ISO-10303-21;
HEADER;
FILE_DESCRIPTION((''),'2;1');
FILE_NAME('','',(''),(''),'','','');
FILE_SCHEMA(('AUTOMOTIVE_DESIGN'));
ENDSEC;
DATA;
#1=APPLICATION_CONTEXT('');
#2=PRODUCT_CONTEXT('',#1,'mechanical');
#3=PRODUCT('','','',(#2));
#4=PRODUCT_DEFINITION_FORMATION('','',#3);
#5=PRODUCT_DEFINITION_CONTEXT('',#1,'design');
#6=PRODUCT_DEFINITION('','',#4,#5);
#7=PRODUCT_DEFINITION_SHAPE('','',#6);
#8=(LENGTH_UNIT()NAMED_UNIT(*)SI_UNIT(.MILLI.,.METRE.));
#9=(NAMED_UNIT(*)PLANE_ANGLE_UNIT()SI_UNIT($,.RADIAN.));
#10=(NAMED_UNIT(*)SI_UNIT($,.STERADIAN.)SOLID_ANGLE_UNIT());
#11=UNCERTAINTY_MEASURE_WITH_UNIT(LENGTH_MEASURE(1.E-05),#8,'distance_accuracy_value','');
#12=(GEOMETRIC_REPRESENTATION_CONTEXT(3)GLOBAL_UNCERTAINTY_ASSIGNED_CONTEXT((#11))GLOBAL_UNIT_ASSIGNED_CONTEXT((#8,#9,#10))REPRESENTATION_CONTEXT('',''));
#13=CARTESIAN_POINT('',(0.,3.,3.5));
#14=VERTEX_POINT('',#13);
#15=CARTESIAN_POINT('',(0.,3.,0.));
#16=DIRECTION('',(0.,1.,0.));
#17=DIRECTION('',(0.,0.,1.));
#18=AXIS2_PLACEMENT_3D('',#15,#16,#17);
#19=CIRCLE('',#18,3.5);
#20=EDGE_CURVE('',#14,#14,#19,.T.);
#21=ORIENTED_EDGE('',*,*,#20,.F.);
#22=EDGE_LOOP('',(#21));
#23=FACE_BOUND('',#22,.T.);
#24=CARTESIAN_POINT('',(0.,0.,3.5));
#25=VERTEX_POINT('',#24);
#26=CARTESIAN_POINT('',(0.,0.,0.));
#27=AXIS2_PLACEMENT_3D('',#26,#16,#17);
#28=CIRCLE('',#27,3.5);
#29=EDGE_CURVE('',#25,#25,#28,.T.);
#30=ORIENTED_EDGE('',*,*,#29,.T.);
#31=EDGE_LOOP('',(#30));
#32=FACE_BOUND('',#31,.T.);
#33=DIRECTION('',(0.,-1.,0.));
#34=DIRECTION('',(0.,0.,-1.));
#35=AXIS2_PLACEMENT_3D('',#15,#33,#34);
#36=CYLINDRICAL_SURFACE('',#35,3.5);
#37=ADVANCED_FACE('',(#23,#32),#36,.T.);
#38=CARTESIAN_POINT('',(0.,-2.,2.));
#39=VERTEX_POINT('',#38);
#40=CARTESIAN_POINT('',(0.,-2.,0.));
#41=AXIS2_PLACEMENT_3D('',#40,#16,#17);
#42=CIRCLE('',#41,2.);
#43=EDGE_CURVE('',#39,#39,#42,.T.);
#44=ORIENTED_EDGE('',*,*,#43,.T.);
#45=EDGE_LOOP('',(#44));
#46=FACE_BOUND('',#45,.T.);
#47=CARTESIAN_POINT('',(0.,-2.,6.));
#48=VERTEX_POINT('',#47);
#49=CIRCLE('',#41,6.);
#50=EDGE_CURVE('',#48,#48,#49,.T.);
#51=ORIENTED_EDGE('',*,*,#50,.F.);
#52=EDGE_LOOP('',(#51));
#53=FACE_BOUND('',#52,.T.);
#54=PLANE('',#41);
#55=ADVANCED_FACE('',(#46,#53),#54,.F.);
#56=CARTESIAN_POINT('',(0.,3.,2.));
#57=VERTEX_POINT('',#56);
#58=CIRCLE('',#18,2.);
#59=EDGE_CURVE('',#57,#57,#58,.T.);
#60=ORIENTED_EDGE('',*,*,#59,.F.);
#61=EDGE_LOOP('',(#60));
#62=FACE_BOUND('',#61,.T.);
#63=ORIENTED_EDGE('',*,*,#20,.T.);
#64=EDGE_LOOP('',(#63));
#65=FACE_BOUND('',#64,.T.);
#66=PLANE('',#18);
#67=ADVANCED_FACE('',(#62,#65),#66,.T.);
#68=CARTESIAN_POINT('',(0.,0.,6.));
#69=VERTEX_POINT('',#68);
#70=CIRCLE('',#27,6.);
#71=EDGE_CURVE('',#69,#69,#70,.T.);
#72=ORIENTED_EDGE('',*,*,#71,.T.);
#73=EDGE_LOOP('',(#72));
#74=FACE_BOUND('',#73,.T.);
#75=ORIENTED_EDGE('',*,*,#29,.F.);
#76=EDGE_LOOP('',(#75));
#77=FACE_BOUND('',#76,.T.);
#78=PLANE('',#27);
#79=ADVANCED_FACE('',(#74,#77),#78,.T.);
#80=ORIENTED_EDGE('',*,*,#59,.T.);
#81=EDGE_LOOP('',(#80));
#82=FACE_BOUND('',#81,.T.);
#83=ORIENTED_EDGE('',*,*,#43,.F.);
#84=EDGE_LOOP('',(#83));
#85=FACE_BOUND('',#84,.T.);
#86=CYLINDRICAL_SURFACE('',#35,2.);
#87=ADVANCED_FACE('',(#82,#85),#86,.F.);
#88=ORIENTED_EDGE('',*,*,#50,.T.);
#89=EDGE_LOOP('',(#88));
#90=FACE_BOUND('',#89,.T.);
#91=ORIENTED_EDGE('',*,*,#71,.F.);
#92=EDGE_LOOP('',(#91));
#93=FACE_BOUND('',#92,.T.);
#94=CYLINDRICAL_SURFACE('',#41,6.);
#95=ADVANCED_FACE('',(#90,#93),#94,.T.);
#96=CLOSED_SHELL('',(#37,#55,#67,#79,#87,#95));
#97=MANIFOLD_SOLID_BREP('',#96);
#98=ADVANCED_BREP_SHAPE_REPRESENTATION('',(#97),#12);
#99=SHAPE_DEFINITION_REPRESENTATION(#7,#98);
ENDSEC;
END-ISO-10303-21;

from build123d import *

# Parameters (mm, degrees)
SKETCH_1_R      = 3.5
SKETCH_1_R_2    = 2
EXTRUDE_1_DEPTH = 3
EXTRUDE_START   = -2
SKETCH_1_3_R    = 6
SKETCH_1_3_R_2  = 2
EXTRUDE_2_DEPTH = 2


with BuildPart() as part:
    # 草图1 → 凸台-拉伸1 (new body)
    with BuildSketch(Plane(origin=(0, 0, 0), x_dir=(1, 0, 0), z_dir=(0, 1, 0))):
        Circle(SKETCH_1_R)
        Circle(SKETCH_1_R_2, mode=Mode.SUBTRACT)
    extrude(amount=EXTRUDE_1_DEPTH)

    # 草图1<3> → 凸台-拉伸2 (add)
    with BuildSketch(Plane(origin=(0, 0, 0), x_dir=(1, 0, 0), z_dir=(0, 1, 0)).offset(EXTRUDE_START)):
        Circle(SKETCH_1_3_R)
        Circle(SKETCH_1_3_R_2, mode=Mode.SUBTRACT)
    extrude(amount=EXTRUDE_2_DEPTH)


solid = part.part
